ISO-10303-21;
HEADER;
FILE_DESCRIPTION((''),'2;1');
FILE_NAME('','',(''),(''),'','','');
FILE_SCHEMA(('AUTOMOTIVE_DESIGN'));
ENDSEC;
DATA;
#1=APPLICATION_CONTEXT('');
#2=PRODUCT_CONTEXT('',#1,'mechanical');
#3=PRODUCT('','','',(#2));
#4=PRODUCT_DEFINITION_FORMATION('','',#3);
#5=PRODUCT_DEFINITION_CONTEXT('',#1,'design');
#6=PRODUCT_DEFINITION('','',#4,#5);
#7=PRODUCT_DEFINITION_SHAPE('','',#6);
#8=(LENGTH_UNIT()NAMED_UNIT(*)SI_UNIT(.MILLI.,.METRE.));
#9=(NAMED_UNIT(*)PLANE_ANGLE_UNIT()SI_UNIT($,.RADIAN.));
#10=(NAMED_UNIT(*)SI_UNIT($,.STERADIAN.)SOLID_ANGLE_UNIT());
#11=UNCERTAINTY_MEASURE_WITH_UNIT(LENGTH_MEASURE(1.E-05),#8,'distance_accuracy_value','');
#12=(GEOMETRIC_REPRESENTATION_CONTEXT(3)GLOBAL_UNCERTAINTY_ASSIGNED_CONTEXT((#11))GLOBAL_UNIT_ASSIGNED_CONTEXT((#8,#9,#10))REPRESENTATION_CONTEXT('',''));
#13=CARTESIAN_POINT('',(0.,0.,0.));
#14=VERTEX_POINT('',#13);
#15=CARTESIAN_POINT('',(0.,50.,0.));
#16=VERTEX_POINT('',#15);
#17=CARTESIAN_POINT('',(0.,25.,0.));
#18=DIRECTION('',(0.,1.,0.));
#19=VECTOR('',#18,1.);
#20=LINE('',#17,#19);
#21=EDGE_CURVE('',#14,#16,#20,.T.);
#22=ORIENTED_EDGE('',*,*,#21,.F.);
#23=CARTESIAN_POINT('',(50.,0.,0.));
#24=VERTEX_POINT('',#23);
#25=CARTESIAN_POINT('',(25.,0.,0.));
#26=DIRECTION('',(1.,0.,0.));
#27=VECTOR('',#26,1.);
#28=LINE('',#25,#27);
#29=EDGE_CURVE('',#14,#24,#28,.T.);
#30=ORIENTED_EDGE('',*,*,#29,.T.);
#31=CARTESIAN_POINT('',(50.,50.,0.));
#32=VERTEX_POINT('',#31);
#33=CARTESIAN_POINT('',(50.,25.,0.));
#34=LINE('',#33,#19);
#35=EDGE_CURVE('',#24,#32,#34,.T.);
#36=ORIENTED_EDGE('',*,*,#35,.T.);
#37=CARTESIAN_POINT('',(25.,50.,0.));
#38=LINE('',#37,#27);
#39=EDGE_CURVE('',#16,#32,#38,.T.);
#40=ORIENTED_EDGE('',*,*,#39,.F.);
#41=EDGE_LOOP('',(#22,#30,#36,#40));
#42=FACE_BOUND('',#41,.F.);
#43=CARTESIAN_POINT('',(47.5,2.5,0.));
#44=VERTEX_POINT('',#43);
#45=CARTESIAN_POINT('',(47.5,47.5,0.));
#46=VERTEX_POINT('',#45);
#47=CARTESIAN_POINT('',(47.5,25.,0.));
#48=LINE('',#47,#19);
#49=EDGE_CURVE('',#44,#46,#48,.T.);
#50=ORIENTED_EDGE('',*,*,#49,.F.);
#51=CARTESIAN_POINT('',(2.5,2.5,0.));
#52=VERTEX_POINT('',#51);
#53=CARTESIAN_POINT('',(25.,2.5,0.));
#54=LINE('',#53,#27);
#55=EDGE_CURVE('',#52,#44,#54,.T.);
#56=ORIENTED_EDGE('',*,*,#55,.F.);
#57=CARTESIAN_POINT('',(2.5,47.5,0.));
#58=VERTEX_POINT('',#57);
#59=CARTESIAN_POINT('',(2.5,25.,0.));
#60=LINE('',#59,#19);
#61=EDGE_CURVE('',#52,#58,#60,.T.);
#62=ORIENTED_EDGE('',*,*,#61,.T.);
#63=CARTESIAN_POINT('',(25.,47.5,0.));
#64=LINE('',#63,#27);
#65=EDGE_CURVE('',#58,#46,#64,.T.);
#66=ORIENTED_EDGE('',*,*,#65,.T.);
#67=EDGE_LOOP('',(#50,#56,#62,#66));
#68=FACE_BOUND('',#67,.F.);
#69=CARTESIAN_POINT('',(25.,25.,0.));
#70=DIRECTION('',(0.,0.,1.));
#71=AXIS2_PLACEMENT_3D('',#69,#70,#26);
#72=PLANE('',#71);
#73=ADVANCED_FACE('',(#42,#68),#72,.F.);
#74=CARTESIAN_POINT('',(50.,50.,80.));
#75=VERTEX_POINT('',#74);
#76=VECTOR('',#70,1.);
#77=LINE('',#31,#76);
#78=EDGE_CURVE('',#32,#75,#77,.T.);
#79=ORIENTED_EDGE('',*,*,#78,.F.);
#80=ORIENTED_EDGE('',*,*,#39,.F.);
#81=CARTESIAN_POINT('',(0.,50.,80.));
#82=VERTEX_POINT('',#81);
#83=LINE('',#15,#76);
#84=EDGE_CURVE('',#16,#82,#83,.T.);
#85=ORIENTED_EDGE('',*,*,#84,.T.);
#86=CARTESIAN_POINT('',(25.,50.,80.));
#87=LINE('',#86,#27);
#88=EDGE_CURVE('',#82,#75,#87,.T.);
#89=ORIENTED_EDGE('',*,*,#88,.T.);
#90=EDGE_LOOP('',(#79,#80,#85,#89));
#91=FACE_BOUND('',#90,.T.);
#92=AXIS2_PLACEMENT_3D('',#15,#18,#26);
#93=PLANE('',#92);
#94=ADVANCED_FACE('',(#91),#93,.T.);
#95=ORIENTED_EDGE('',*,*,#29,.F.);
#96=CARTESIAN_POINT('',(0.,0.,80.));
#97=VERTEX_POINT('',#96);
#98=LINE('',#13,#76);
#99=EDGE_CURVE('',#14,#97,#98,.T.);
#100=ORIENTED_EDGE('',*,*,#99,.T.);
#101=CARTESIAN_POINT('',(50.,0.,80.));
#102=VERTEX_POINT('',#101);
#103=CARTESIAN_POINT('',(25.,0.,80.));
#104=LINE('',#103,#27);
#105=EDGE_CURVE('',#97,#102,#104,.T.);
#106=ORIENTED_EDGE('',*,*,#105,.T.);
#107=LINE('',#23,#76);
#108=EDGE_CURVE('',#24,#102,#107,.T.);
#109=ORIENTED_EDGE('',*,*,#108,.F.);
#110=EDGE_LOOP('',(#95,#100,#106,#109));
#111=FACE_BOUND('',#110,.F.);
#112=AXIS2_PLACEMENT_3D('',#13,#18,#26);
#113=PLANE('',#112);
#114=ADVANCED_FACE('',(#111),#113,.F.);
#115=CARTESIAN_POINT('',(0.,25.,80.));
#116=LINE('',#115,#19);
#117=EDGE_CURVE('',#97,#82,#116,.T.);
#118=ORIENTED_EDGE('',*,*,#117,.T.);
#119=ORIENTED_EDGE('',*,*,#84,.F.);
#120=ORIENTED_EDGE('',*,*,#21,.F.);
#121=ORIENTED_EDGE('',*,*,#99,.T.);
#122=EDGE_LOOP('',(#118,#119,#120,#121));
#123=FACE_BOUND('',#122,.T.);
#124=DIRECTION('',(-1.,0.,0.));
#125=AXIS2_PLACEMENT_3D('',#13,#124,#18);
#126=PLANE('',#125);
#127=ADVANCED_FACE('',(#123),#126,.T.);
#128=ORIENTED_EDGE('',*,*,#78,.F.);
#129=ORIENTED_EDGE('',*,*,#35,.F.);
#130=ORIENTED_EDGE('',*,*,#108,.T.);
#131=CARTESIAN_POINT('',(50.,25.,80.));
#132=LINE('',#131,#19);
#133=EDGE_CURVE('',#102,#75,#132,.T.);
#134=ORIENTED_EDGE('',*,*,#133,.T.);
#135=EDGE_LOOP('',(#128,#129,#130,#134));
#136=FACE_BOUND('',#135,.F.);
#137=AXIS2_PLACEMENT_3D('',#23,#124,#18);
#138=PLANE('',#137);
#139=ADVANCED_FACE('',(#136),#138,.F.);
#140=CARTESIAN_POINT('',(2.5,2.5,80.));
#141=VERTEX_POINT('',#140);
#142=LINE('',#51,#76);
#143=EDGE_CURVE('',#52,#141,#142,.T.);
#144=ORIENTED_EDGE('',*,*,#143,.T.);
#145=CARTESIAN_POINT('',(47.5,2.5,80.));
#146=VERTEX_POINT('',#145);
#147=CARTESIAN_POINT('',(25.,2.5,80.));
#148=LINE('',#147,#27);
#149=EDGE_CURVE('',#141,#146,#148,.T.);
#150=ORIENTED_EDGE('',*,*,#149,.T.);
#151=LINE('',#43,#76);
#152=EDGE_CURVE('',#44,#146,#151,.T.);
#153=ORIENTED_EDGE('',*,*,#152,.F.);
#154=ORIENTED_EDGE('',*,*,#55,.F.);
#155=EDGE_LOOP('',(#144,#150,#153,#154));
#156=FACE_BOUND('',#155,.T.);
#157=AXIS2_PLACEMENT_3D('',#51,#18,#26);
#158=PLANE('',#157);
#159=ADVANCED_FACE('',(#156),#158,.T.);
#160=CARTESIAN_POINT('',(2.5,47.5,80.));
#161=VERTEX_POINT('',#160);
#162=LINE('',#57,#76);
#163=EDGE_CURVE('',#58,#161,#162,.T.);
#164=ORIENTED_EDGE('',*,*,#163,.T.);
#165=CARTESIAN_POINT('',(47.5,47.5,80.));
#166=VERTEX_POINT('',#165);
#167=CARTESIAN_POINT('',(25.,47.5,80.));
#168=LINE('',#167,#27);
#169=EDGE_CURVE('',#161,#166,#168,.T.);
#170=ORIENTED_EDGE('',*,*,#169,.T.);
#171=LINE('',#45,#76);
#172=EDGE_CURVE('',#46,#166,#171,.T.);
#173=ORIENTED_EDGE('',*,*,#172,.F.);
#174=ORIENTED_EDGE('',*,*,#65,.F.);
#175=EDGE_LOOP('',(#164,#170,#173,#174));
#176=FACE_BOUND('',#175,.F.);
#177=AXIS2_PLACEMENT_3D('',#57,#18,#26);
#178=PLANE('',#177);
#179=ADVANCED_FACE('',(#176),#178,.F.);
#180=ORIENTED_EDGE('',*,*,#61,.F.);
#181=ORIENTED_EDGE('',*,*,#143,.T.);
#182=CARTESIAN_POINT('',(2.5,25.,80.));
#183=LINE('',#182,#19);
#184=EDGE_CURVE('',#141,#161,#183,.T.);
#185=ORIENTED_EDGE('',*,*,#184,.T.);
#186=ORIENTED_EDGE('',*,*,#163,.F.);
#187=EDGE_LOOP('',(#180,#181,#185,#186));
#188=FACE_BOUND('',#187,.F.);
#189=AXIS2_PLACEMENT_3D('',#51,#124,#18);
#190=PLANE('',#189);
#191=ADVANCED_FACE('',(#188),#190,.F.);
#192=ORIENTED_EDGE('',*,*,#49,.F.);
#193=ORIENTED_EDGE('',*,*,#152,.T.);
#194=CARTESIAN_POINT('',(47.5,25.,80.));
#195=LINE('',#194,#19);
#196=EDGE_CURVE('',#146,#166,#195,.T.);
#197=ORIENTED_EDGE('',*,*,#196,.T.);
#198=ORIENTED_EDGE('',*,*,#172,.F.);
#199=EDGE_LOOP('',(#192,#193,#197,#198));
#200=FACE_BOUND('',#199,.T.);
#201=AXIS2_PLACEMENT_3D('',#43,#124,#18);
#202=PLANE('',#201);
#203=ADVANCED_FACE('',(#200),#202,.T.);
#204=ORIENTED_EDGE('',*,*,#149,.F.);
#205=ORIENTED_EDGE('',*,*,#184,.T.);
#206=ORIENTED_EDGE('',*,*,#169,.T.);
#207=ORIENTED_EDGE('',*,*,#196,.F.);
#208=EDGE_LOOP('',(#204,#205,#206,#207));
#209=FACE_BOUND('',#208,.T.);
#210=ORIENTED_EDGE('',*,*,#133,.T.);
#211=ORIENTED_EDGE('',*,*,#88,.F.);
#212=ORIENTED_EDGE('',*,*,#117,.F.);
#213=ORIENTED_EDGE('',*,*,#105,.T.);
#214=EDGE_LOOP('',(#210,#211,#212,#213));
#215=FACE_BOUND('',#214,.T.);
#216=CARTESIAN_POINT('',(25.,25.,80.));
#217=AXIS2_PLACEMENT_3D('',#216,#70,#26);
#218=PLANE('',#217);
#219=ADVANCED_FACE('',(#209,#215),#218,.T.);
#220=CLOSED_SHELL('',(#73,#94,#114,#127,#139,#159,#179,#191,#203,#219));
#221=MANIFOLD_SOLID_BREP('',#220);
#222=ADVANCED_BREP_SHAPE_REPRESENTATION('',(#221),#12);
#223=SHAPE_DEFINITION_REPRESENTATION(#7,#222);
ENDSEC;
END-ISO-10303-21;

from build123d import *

# Parameters (mm, degrees)
BOX001_W     = 45
BOX001_H     = 45
BOX001_DEPTH = 80
BOX_W        = 50
BOX_H        = 50
BOX_DEPTH    = 80


with BuildPart() as cubo001:
    # Box001 → Box001 (new body)
    with BuildSketch(Plane(origin=(2.5, 2.5, 0), x_dir=(1, 0, 0), z_dir=(0, 0, 1))):
        with Locations((22.5, 22.5)):
            Rectangle(BOX001_W, BOX001_H)
    extrude(amount=BOX001_DEPTH)


with BuildPart() as cut:
    # Box → Box (new body)
    with BuildSketch(Plane.XY):
        with Locations((25, 25)):
            Rectangle(BOX_W, BOX_H)
    extrude(amount=BOX_DEPTH)

    # Cut: cut Cubo001
    add(cubo001.part, mode=Mode.SUBTRACT)


solid = cut.part
